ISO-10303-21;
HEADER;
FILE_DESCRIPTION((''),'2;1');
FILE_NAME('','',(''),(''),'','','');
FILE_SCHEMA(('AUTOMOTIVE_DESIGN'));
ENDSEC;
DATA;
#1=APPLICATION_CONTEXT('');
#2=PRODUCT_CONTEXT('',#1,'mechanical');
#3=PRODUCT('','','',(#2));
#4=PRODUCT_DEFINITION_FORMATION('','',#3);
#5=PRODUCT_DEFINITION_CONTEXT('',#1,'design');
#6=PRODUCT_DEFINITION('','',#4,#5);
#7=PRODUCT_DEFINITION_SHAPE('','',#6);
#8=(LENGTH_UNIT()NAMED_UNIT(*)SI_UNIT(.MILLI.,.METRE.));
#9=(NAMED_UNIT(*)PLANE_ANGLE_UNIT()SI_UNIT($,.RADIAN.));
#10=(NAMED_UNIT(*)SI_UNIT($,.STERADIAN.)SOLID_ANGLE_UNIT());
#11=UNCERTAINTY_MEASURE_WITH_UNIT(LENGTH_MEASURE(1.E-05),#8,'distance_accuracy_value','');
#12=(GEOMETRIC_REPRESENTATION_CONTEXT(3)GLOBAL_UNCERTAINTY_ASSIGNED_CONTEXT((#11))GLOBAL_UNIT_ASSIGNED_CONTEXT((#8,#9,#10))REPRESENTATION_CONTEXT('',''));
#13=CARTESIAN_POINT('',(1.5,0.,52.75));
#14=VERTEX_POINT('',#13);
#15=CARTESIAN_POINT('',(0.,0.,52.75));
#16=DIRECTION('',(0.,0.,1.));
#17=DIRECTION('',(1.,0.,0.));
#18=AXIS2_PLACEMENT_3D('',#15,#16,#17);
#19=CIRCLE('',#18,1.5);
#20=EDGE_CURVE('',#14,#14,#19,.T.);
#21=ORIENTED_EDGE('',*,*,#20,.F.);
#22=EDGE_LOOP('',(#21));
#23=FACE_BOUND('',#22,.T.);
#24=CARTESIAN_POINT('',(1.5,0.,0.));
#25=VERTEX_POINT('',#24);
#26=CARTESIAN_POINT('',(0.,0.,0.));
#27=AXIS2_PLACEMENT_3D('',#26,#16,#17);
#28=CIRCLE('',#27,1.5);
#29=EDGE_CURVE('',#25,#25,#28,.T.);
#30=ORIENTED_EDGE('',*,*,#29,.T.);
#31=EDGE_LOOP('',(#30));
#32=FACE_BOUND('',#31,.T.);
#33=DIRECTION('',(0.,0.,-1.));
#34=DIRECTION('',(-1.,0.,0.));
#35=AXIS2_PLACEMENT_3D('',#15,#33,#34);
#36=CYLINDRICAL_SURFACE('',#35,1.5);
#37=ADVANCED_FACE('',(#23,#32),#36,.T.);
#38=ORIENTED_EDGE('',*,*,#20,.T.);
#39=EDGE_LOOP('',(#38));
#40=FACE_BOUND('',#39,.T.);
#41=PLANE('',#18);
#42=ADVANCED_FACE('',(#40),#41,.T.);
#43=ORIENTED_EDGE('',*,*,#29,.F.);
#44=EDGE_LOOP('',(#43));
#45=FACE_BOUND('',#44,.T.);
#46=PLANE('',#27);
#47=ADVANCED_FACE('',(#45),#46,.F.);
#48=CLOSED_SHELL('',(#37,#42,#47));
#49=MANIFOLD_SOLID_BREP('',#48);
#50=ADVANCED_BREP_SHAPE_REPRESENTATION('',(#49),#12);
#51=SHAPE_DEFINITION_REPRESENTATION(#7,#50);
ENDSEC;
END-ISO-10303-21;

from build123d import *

# Parameters (mm, degrees)
SKETCH_1_R        = 1.5
EXTRUDE_203_DEPTH = 52.75


with BuildPart() as part:
    # 草图1 → Extrude 203 (new body)
    with BuildSketch(Plane.XY):
        Circle(SKETCH_1_R)
    extrude(amount=EXTRUDE_203_DEPTH)


solid = part.part
